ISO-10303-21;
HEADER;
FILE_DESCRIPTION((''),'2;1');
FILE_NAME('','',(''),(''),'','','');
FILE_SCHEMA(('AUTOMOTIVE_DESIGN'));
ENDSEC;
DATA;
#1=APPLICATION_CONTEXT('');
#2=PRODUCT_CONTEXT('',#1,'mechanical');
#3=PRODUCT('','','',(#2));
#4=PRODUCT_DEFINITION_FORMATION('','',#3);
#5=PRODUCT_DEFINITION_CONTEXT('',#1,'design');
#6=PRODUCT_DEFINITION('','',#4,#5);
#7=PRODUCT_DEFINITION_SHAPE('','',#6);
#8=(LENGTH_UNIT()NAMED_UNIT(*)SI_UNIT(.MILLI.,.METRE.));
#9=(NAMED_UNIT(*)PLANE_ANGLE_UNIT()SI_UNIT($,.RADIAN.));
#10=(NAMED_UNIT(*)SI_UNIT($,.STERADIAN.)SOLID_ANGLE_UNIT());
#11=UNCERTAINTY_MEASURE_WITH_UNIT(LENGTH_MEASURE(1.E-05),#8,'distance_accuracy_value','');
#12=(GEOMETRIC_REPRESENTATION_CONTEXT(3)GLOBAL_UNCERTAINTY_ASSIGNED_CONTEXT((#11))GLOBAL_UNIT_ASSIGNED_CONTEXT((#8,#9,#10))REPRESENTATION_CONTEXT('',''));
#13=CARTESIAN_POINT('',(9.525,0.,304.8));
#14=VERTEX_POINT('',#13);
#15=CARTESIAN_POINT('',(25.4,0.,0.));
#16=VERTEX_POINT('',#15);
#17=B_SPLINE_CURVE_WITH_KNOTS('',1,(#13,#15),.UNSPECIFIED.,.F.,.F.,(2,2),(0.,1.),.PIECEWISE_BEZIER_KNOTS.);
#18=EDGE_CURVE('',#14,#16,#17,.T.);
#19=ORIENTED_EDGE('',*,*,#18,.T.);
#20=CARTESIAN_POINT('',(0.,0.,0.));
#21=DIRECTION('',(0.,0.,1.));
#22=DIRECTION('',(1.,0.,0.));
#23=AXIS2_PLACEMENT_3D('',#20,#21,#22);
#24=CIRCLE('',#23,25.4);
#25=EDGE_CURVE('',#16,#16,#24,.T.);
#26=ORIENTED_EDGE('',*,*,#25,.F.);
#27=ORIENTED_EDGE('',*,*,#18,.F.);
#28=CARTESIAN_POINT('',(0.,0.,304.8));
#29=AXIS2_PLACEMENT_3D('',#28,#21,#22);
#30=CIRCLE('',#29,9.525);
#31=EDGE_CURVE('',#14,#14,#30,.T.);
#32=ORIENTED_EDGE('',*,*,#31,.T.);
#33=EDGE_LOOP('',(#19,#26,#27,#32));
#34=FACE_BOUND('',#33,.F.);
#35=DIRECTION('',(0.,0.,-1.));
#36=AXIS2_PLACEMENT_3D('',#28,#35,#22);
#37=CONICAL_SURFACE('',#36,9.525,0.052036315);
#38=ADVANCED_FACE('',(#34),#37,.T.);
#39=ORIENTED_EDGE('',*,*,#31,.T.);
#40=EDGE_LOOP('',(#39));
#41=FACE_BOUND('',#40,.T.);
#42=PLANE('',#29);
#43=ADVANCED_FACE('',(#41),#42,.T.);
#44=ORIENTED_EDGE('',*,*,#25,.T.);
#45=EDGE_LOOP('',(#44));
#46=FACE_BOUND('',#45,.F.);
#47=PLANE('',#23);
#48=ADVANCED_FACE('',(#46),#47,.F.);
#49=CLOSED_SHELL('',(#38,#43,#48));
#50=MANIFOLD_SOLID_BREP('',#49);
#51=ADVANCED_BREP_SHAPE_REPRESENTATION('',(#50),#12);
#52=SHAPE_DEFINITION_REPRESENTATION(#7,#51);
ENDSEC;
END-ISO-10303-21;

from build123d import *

# Parameters (mm, degrees)
F0_R       = 25.4
F1_DEPTH   = 304.8
F2_R       = 9.525
F1_FACE1_R = 25.4


with BuildPart() as f1:
    # F0 (on Top) → F1 (new body)
    with BuildSketch(Plane.XY):
        Circle(F0_R)
    extrude(amount=F1_DEPTH)

    # F2 (on face) → F3 section 0
    with BuildSketch(Plane.XY.offset(304.8)):
        Circle(F2_R)
    # F1_face1 (on face) → F3 section 1
    with BuildSketch(Plane(origin=(0, 0, 0), x_dir=(1, 0, 0), z_dir=(0, 0, -1))):
        Circle(F1_FACE1_R)
    loft(mode=Mode.INTERSECT)


solid = f1.part
